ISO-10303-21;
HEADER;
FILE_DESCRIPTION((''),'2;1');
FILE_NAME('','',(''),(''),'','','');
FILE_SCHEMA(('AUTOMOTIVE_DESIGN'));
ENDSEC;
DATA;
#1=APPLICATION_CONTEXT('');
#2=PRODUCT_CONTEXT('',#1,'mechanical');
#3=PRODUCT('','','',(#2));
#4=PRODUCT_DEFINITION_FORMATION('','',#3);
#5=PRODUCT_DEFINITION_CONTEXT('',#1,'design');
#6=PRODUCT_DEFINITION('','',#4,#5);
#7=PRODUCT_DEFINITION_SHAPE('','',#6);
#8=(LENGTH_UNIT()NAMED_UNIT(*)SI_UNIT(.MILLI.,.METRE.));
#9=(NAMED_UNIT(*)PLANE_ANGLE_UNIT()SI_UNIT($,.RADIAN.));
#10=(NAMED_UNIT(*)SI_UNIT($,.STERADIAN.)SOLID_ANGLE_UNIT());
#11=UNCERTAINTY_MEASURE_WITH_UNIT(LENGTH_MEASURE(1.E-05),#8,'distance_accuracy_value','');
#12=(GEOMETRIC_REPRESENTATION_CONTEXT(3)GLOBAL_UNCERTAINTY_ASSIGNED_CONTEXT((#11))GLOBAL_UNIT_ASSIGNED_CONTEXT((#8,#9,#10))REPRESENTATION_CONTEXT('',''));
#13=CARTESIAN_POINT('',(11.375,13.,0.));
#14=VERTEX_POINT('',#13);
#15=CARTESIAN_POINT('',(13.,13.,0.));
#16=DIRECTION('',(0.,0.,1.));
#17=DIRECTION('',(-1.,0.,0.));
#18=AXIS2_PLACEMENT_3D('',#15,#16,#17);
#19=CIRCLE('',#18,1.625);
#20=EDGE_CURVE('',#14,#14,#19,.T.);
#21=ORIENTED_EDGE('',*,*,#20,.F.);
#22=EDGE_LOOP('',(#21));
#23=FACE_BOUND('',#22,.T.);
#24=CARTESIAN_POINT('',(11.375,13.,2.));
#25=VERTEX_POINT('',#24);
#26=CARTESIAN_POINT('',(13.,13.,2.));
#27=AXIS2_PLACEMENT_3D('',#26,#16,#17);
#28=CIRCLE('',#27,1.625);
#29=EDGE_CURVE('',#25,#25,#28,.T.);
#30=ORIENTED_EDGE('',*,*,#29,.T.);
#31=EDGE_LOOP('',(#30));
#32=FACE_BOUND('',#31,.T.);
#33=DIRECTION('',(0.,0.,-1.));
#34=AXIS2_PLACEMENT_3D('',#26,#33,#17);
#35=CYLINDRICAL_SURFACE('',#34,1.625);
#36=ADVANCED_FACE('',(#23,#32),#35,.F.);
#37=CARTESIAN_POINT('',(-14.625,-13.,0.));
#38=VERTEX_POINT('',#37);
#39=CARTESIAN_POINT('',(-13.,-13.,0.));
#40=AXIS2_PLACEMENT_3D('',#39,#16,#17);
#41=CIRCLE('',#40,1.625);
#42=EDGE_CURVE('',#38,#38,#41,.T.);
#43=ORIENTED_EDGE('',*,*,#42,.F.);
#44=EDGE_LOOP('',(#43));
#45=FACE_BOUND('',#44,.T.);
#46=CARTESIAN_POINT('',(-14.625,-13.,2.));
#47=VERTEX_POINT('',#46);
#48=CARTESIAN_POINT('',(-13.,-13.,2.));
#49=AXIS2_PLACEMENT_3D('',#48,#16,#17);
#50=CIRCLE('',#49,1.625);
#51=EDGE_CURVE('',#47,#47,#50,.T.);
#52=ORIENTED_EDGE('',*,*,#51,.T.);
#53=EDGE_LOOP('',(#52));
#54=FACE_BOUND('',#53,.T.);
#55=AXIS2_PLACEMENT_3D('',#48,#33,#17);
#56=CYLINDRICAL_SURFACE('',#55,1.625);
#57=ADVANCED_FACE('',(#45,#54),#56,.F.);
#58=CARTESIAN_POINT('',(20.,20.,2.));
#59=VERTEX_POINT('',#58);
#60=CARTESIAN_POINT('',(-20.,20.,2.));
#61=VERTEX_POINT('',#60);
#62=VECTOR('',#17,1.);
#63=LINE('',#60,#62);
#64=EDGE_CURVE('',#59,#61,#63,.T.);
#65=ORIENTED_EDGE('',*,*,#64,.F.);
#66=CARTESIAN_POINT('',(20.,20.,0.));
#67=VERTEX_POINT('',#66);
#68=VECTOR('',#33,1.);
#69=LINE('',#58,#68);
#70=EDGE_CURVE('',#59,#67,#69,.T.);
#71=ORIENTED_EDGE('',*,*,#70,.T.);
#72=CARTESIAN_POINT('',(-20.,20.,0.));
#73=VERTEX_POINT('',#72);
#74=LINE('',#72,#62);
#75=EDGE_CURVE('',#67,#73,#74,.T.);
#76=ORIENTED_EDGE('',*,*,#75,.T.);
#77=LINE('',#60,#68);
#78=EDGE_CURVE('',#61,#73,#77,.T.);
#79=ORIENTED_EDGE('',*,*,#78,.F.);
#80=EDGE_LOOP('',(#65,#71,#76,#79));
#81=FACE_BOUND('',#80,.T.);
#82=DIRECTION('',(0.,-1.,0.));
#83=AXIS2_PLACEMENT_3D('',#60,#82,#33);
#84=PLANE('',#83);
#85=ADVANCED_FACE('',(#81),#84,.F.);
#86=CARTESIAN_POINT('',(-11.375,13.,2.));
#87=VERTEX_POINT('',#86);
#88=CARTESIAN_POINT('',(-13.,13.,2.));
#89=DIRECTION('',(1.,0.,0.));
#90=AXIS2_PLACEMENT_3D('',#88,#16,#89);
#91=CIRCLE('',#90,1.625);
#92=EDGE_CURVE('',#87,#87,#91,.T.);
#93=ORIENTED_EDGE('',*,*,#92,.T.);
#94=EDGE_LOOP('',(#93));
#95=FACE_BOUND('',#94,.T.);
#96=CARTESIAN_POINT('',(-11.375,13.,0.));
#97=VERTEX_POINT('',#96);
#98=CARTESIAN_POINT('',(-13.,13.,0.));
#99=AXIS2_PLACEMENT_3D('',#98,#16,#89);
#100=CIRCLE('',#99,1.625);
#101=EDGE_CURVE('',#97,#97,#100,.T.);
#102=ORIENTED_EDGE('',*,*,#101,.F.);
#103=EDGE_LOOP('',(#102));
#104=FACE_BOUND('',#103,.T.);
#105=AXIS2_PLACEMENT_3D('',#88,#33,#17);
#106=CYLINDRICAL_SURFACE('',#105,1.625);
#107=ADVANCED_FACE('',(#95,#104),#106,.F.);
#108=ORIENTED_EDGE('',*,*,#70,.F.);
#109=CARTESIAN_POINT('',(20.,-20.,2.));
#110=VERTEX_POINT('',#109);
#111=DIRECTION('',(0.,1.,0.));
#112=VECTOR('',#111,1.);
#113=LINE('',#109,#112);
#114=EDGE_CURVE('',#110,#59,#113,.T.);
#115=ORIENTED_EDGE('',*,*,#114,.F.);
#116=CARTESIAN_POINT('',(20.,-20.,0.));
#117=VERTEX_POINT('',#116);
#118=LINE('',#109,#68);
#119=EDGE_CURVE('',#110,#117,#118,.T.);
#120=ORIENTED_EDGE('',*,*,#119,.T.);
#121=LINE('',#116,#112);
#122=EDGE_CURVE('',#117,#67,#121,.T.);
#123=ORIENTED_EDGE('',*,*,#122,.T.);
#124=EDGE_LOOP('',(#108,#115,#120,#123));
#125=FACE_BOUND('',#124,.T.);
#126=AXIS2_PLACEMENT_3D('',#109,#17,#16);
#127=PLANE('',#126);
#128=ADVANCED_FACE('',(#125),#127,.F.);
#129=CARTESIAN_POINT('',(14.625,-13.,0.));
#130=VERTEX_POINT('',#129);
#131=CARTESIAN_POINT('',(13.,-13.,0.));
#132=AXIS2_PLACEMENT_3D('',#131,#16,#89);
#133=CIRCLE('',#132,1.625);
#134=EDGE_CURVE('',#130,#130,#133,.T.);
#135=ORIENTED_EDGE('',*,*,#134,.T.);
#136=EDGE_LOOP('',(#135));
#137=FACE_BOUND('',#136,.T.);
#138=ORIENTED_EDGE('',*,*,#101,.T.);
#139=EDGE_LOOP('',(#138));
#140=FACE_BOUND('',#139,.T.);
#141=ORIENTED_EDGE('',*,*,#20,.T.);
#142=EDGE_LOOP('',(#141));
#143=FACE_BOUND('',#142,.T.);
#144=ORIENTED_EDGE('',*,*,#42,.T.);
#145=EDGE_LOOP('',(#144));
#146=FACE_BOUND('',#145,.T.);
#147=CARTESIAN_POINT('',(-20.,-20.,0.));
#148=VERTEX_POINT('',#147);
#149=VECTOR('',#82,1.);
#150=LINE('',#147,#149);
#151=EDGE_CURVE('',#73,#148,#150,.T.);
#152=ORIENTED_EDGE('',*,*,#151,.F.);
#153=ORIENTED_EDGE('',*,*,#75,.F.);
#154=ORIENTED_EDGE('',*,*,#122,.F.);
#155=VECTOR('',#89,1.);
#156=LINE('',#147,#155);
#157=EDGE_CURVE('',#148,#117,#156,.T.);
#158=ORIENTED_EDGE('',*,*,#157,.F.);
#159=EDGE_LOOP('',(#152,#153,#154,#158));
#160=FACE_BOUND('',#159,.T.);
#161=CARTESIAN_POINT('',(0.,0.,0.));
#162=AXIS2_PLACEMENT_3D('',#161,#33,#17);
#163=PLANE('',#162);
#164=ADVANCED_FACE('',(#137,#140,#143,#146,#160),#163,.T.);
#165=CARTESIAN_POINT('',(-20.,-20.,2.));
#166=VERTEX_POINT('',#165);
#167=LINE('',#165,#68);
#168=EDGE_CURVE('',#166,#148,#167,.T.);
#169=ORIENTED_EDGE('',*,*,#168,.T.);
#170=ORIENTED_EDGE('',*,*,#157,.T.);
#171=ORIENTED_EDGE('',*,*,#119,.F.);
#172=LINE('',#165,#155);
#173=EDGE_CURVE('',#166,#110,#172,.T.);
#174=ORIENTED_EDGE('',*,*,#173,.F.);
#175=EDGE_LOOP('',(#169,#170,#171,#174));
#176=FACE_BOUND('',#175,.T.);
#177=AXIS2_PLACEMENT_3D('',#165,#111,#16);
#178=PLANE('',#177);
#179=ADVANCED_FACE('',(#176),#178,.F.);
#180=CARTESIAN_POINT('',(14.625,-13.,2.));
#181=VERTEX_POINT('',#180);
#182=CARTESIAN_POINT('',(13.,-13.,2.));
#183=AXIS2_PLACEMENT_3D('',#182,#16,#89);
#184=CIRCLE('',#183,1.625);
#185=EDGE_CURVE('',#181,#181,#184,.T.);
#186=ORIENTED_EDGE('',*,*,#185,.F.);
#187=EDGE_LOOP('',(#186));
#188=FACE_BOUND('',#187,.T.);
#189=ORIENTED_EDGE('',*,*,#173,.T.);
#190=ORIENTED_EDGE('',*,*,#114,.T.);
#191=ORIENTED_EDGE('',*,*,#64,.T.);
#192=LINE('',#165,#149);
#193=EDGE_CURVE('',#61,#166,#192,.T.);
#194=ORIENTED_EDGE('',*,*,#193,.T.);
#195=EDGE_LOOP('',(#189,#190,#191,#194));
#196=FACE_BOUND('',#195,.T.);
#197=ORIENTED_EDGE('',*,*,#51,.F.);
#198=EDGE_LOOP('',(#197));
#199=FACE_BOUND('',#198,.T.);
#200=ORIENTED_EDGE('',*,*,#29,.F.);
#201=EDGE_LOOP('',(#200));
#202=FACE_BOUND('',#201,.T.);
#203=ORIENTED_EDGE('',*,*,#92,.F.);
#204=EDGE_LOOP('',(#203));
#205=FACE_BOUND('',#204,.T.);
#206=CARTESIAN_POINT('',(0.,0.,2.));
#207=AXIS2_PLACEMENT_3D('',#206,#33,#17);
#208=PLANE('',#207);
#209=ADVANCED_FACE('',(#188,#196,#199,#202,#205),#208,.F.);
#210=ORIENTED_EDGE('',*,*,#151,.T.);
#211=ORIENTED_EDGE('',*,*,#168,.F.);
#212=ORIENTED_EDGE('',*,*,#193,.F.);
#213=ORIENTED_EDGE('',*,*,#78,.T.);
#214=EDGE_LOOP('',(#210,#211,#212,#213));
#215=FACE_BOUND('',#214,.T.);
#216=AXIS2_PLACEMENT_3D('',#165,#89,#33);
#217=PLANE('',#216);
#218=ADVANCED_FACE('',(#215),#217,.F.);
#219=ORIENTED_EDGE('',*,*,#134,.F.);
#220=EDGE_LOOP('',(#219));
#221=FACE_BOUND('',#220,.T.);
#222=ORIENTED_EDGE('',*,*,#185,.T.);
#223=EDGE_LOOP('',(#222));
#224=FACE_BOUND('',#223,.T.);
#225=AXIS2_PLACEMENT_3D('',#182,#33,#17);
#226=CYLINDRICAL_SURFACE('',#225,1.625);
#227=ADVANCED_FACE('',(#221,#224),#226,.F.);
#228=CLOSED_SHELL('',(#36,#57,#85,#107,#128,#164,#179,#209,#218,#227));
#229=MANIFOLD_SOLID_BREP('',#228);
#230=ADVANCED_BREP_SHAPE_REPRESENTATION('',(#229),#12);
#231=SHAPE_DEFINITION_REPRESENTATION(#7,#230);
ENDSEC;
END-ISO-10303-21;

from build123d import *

# Parameters (mm, degrees)
SKETCH2_W           = 40
SKETCH2_H           = 40
SKETCH2_R           = 1.625
BOSS_EXTRUDE1_DEPTH = 2


with BuildPart() as part:
    # Sketch2 → Boss-Extrude1 (new body)
    with BuildSketch(Plane.XY):
        Rectangle(SKETCH2_W, SKETCH2_H)
        with Locations((-13, 13)):
            Circle(SKETCH2_R, mode=Mode.SUBTRACT)
        with Locations(Location((-13, -13, 0), (0, 0, 180))):
            Circle(SKETCH2_R, mode=Mode.SUBTRACT)
        with Locations((13, -13)):
            Circle(SKETCH2_R, mode=Mode.SUBTRACT)
        with Locations(Location((13, 13, 0), (0, 0, 180))):
            Circle(SKETCH2_R, mode=Mode.SUBTRACT)
    extrude(amount=BOSS_EXTRUDE1_DEPTH)


solid = part.part
